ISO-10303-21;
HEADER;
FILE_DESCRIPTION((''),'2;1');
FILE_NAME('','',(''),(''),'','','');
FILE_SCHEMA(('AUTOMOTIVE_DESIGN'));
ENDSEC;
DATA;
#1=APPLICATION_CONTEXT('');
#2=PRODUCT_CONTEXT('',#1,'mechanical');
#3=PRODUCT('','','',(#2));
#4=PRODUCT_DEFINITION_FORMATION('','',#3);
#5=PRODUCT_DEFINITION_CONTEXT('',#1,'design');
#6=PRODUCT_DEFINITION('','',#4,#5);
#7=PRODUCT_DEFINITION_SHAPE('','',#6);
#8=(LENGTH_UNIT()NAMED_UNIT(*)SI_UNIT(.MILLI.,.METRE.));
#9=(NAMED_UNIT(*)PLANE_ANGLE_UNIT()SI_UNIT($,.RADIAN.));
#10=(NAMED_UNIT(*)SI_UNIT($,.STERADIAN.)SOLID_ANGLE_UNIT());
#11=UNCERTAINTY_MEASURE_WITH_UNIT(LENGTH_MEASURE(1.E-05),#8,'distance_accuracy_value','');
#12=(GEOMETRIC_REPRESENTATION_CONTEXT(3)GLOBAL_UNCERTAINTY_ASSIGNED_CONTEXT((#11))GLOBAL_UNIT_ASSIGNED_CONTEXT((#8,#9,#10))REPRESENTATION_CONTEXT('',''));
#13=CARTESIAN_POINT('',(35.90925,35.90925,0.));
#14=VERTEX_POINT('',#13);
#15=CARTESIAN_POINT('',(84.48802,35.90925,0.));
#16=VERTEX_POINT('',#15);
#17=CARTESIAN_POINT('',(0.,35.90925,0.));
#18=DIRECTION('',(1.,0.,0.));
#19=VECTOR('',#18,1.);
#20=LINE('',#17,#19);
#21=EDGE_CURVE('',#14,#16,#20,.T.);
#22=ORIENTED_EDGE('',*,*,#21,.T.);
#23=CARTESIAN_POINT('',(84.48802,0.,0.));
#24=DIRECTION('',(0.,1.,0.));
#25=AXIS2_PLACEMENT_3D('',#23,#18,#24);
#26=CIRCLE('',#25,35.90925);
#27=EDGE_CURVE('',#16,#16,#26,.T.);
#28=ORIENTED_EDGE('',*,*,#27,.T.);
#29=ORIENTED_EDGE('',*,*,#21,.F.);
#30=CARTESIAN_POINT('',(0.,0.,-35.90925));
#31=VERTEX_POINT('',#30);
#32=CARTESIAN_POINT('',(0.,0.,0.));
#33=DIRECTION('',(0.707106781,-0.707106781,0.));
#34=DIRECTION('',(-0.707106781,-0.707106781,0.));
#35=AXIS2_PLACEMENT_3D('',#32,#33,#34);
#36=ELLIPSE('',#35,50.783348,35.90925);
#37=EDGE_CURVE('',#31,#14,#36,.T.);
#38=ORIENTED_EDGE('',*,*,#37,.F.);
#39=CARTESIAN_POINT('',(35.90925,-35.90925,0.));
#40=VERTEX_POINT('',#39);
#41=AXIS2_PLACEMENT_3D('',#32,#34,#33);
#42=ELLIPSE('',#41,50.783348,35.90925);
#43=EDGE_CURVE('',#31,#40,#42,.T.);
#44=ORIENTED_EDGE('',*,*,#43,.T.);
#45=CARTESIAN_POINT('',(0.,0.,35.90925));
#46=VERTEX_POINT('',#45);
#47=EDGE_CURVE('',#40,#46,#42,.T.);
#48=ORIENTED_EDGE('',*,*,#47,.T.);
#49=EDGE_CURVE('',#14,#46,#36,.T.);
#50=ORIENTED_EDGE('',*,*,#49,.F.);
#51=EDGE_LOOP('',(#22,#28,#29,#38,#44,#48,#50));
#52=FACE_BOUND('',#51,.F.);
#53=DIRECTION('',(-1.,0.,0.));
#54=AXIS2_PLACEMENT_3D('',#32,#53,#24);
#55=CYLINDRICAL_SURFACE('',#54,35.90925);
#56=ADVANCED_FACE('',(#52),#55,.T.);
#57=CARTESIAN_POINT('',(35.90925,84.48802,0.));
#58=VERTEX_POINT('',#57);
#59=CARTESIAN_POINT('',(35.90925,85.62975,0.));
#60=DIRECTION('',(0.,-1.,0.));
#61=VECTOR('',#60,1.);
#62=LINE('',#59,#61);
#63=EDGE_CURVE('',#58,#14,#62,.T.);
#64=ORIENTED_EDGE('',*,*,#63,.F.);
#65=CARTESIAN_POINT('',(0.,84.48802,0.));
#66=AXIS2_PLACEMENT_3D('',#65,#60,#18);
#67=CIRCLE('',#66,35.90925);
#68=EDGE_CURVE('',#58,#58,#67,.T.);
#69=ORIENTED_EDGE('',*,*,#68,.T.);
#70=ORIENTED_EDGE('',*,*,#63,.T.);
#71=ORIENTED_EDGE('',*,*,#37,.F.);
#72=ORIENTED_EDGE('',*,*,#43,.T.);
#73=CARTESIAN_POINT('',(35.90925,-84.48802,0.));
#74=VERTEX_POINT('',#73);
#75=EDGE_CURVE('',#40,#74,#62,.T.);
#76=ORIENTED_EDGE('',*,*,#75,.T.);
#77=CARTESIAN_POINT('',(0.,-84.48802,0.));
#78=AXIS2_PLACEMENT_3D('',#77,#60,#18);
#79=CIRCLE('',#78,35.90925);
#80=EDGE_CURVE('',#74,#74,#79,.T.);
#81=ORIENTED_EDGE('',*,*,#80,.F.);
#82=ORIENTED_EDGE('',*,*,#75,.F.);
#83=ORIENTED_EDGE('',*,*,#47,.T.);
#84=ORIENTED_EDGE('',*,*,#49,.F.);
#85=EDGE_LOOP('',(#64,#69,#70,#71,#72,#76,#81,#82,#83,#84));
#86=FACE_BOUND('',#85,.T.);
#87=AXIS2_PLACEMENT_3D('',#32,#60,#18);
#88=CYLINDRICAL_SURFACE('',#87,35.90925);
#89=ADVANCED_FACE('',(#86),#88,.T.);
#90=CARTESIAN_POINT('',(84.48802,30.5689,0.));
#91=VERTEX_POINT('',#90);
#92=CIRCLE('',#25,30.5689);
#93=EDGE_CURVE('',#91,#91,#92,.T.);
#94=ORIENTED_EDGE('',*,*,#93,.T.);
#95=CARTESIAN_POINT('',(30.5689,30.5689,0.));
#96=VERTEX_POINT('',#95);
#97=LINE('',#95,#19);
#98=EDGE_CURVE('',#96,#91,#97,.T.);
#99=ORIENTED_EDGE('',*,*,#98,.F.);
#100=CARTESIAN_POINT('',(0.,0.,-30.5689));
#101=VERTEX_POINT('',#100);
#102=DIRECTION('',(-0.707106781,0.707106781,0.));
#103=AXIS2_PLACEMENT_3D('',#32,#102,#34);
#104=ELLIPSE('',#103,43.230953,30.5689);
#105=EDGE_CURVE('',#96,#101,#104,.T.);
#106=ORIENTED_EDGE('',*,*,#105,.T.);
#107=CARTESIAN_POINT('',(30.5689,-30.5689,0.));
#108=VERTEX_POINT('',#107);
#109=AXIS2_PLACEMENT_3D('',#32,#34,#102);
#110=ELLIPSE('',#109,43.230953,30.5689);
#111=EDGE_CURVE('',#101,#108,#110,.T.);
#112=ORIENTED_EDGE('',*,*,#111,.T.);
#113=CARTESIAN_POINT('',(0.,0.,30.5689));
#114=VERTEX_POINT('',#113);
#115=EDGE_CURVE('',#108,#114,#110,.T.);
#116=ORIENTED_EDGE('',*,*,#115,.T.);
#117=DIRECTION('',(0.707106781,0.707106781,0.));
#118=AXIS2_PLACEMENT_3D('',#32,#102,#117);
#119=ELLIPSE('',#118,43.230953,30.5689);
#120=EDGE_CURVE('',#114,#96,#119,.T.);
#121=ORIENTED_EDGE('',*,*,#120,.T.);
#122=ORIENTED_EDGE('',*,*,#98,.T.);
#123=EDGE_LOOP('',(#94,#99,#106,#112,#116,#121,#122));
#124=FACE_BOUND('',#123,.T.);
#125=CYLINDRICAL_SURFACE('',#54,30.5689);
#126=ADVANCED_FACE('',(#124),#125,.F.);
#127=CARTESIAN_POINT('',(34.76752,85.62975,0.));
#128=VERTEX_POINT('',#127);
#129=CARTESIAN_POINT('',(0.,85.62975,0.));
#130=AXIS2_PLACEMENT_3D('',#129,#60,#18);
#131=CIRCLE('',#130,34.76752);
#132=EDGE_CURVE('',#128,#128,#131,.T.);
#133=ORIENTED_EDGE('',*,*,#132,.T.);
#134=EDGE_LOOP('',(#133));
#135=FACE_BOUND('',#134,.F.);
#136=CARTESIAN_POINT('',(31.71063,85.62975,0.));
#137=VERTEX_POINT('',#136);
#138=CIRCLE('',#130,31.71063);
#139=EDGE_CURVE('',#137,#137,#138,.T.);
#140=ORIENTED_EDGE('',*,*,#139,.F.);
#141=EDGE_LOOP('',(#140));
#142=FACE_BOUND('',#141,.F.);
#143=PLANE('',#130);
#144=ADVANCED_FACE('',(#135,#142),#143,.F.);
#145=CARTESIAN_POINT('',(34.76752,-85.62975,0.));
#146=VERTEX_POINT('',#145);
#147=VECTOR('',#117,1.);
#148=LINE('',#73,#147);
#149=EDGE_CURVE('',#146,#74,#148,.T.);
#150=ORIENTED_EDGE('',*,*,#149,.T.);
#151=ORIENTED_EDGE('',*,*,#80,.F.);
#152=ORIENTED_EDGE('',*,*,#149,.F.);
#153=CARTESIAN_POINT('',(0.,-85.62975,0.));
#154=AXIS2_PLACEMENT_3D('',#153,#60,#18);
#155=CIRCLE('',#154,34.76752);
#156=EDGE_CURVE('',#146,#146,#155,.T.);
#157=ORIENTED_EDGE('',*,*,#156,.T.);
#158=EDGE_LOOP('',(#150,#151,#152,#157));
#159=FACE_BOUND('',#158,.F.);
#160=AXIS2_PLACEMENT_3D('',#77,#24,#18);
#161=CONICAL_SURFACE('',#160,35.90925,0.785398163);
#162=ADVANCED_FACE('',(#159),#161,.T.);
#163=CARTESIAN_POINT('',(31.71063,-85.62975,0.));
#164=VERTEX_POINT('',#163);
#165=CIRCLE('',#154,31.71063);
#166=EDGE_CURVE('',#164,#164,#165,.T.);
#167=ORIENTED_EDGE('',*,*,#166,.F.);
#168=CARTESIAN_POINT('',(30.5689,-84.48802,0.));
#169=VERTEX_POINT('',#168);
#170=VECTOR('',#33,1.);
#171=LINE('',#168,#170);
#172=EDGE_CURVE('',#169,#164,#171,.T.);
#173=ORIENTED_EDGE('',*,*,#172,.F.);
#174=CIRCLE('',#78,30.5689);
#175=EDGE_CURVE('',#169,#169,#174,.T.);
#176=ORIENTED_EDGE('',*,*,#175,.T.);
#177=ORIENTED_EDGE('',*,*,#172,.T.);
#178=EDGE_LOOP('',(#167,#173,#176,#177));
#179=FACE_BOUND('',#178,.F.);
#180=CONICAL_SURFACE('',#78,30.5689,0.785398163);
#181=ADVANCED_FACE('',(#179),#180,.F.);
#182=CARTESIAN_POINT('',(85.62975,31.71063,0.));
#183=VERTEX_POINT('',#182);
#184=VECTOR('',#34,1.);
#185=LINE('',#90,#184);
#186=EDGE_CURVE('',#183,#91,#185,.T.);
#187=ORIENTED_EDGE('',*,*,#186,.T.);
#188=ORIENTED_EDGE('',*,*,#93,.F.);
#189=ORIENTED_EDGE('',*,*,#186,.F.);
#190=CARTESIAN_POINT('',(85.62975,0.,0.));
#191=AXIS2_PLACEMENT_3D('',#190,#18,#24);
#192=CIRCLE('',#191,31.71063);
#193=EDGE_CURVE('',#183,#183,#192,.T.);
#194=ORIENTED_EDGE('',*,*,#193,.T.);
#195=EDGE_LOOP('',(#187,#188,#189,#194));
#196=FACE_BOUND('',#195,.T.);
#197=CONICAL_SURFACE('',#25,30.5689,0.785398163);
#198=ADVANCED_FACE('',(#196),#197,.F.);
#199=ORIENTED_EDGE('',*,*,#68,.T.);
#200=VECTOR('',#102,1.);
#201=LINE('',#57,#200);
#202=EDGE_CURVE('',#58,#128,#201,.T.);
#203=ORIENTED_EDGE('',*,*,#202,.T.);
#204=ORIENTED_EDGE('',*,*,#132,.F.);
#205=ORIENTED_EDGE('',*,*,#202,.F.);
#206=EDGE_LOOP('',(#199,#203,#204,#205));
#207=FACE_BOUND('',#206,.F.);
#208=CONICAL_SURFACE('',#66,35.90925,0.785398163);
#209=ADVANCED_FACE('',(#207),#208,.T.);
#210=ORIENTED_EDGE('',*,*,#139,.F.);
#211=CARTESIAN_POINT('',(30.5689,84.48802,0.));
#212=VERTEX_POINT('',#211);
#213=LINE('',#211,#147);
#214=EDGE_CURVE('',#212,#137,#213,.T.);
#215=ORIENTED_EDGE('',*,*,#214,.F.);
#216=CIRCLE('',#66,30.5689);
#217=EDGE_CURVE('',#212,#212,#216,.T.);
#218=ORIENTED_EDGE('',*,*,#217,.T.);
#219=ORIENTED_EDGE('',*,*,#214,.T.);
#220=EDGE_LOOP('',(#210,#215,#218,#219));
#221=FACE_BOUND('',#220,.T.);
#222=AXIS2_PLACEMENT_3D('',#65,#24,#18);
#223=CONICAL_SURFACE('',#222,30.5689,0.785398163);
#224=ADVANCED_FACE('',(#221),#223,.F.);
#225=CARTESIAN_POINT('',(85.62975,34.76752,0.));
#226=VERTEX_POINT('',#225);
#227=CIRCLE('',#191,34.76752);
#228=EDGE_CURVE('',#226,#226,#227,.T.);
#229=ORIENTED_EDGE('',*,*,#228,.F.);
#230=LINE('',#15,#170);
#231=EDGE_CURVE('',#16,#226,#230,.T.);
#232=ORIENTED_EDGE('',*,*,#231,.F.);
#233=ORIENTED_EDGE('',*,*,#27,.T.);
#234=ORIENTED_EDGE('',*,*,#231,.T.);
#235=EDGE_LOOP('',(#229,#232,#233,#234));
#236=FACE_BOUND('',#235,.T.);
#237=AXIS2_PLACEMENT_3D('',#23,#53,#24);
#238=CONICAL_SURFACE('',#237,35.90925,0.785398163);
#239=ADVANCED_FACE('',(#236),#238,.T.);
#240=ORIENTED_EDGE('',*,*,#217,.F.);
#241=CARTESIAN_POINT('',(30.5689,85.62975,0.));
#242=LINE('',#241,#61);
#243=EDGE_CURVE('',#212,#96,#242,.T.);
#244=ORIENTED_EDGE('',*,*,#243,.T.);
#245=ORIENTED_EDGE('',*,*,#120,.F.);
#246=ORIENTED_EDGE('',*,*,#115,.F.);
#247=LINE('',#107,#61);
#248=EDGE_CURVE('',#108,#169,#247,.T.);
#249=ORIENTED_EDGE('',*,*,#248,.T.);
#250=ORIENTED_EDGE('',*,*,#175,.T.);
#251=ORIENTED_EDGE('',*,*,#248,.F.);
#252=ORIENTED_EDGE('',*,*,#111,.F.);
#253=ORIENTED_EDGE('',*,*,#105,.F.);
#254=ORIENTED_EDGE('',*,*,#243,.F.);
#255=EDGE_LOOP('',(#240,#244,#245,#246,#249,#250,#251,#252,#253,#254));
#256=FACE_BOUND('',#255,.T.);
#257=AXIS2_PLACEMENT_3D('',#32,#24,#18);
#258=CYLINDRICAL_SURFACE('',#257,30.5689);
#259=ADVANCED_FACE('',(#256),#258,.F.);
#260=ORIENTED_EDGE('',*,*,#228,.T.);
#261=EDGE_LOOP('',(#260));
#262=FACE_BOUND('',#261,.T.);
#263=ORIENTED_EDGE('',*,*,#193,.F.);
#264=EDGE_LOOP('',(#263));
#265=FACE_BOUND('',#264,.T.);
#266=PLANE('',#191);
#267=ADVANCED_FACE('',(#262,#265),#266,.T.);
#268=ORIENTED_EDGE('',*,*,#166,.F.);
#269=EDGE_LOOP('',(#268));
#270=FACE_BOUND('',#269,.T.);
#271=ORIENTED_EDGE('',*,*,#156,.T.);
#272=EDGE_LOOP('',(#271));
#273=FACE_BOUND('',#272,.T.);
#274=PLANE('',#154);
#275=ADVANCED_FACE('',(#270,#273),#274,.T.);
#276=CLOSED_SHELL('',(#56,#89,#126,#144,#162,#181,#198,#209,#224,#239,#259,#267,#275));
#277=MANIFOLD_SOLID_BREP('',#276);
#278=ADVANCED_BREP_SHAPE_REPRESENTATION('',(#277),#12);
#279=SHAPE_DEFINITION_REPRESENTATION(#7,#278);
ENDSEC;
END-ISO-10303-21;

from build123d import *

# Parameters (mm, degrees)
F0_R          = 24.765
F0_R_2        = 21.082
F1_DEPTH      = 59.055
F2_R          = 24.765
F2_R_2        = 21.082
F3_DEPTH      = 59.055
F4_DEPTH      = 59.0560001
F5_DEPTH      = 59.0560001
F5_DEPTH_BACK = 59.0560001
F6_SIZE       = 0.7874
F7_SCALE      = 1.45


with BuildPart() as f1:
    # F0 (on Front) → F1 (new body, symmetric)
    with BuildSketch(Plane.XZ):
        Circle(F0_R)
        Circle(F0_R_2, mode=Mode.SUBTRACT)
    extrude(amount=F1_DEPTH, both=True)

    # F2 (on Right) → F3 (join)
    with BuildSketch(Plane.YZ):
        Circle(F2_R)
        Circle(F2_R_2, mode=Mode.SUBTRACT)
    extrude(amount=F3_DEPTH)

    # F2 (on Right) → F4 (cut, through all)
    with BuildSketch(Plane.YZ):
        Circle(F2_R_2)
    extrude(amount=F4_DEPTH, mode=Mode.SUBTRACT)

    # F0 (on Front) → F5 (cut, two sides)
    with BuildSketch(Plane.XZ) as f5_sk:
        Circle(F0_R_2)
    extrude(amount=F5_DEPTH, mode=Mode.SUBTRACT)
    extrude(f5_sk.sketch, amount=-F5_DEPTH_BACK, mode=Mode.SUBTRACT)

    # F6
    f6_edges = [f1.edges().sort_by_distance(p)[0] for p in [
        (-21.082, -59.055, 0),
        (-24.765, -59.055, 0),
        (59.055, -24.765, 0),
        (59.055, -21.082, 0),
        (-21.082, 59.055, 0),
        (-24.765, 59.055, 0),
    ]]
    chamfer(f6_edges, length=F6_SIZE)


with BuildPart() as f1_1:
    # F7: moved
    add(f1.part.scale(F7_SCALE))


solid = f1_1.part
